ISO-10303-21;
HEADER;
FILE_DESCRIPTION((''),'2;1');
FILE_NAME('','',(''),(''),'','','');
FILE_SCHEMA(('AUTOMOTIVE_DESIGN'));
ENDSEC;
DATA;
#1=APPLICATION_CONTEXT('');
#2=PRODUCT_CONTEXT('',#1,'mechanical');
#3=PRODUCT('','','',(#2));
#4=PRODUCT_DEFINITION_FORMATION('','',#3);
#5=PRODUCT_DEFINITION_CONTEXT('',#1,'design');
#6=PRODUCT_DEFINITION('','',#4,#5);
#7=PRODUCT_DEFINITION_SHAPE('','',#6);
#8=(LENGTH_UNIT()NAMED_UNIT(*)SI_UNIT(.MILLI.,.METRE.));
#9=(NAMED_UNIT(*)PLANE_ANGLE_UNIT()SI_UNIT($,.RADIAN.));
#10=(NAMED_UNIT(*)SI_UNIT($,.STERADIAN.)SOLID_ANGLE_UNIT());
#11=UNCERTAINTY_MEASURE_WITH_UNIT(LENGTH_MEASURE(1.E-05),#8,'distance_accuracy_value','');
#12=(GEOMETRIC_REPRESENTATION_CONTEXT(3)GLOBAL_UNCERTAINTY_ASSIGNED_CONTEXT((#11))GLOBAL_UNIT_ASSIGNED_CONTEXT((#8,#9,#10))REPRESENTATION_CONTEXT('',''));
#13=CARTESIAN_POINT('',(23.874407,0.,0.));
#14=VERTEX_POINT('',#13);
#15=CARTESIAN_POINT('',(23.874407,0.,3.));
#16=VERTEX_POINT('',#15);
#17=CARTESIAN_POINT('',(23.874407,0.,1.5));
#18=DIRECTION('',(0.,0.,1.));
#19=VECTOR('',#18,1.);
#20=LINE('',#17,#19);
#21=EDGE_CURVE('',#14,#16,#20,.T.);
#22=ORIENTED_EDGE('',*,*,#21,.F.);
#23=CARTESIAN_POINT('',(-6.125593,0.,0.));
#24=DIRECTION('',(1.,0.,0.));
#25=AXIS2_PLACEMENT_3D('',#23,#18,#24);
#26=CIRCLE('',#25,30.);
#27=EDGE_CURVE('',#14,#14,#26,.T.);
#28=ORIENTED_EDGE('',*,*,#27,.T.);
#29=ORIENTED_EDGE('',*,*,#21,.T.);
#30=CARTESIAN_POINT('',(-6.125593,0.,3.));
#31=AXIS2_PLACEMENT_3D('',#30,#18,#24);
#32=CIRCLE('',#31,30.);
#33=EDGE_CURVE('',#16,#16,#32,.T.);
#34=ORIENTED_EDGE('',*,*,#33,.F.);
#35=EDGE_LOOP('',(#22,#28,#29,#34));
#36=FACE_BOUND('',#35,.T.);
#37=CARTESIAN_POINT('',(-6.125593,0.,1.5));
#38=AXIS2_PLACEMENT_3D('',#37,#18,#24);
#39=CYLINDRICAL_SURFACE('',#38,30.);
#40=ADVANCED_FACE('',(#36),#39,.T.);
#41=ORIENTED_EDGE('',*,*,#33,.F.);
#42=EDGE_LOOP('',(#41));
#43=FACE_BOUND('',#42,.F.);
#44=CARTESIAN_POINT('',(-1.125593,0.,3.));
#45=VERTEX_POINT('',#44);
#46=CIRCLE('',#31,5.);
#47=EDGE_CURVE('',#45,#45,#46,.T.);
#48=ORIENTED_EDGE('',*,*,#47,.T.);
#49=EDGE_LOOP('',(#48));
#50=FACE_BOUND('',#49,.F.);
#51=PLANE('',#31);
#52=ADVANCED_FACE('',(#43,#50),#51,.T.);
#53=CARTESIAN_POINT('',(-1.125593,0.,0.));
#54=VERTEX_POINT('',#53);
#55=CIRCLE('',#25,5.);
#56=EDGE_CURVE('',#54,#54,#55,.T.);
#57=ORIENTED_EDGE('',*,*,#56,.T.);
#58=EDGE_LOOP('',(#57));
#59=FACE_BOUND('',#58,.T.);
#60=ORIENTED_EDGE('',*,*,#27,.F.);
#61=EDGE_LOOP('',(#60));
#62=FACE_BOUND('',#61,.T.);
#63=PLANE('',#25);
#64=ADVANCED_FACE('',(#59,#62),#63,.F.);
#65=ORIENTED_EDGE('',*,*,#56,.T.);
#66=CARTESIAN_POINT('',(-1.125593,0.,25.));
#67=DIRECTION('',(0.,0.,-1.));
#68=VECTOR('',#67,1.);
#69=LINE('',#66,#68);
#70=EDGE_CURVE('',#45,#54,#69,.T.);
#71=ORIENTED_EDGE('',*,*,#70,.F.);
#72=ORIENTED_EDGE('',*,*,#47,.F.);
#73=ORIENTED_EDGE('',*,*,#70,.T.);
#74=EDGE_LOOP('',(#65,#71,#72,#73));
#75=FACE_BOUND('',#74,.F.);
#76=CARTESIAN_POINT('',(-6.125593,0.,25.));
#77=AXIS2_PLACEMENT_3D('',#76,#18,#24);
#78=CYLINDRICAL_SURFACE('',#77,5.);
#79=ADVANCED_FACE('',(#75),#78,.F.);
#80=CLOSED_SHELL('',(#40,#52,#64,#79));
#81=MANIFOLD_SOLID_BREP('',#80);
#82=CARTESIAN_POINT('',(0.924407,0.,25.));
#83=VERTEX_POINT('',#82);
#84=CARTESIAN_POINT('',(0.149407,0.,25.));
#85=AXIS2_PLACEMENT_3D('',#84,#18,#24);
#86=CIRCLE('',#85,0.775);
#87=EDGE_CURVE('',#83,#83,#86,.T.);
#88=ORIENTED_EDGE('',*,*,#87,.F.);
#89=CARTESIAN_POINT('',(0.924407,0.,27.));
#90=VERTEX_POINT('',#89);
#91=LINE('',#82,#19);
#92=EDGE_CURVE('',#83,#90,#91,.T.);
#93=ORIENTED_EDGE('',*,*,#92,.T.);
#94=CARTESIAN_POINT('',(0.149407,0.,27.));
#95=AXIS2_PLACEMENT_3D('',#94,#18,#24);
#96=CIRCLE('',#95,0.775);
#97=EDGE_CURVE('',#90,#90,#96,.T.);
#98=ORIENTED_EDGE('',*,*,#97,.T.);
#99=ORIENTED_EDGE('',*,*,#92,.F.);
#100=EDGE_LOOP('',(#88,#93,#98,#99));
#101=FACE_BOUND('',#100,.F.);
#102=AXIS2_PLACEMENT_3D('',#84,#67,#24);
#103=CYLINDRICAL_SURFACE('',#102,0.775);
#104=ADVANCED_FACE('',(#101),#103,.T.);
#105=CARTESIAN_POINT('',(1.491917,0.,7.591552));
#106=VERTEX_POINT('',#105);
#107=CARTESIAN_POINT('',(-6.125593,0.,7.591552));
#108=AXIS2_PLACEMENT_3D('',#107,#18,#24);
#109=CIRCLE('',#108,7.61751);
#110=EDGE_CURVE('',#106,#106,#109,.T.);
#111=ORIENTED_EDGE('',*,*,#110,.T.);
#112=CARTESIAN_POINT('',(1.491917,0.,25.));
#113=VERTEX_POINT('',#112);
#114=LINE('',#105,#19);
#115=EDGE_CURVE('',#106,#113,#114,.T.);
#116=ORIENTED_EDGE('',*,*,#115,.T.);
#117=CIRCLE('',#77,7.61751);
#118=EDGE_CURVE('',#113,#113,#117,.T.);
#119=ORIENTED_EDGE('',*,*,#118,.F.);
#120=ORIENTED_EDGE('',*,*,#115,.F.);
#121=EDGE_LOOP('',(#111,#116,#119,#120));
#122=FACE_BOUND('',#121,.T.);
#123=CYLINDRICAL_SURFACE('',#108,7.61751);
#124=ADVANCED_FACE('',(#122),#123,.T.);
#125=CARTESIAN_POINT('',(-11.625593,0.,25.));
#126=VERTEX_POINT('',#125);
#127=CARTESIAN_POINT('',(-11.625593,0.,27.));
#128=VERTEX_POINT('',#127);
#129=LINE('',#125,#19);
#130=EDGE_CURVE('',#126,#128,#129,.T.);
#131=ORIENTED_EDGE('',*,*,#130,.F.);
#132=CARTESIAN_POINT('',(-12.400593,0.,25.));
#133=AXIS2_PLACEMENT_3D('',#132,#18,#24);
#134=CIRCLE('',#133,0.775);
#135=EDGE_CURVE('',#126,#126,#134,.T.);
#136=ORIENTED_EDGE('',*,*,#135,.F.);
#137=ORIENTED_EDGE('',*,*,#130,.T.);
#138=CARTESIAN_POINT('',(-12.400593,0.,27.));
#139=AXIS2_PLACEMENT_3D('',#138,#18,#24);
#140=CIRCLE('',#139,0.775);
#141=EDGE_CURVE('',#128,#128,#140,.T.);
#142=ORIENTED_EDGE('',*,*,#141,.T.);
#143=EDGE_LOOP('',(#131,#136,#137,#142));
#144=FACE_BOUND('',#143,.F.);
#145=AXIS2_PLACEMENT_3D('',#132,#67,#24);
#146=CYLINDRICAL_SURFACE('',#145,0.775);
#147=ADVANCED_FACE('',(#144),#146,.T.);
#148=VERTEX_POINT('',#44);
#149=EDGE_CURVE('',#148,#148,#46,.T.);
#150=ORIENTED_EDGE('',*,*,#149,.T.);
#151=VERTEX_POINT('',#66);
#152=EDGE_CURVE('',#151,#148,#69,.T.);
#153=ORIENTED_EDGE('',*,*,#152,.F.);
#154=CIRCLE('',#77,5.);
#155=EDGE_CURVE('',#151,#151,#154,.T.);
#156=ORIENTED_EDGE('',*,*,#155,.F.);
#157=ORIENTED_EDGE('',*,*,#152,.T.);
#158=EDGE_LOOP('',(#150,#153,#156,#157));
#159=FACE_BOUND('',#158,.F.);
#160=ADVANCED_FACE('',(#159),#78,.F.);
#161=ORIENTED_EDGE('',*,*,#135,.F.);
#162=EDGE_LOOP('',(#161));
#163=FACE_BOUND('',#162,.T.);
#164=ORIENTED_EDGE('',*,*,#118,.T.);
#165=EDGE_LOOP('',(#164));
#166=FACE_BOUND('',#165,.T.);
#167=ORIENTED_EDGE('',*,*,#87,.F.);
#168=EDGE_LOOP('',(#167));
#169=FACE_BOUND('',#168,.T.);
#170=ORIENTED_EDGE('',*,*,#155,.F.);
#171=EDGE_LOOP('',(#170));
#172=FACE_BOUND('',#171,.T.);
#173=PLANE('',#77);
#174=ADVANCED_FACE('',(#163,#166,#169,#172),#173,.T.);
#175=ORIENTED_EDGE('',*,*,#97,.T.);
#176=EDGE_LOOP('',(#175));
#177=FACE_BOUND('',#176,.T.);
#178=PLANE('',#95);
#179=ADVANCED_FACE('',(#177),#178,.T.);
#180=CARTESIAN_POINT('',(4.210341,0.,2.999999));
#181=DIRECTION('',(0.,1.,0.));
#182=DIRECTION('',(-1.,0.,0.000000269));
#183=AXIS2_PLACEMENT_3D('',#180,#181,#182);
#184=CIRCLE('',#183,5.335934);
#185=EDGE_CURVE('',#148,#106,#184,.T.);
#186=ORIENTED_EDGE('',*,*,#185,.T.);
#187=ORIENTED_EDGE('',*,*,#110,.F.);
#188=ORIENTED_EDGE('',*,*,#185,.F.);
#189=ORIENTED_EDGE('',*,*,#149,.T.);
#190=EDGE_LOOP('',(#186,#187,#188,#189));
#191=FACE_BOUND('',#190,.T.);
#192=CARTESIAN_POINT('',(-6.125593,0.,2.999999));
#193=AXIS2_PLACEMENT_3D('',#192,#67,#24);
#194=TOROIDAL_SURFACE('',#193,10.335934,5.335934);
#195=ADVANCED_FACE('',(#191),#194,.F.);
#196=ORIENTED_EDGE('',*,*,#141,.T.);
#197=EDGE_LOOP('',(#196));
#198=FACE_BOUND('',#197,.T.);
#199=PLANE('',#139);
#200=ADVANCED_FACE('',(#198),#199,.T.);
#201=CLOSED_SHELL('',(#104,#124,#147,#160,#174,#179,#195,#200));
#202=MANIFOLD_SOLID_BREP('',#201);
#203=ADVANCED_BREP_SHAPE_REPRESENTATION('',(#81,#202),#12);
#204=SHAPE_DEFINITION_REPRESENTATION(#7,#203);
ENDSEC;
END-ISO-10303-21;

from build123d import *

# Parameters (mm, degrees)
F0_W     = 25
F0_H     = 3
F2_R     = 5
F3_DEPTH = 34.4
F4_R     = 0.775
F5_DEPTH = 2


with BuildPart() as f1:
    # F0 (on Front) → F1 (revolve)
    with BuildSketch(Plane.XZ):
        with Locations((11.374407, 1.5)):
            Rectangle(F0_W, F0_H)
        with BuildLine():
            Line((-1.125593, 25), (-1.125593, 3))
            ThreePointArc((-1.125593, 3), (-0.425256, 5.642617), (1.491917, 7.591552))
            Line((1.491917, 7.591552), (1.491917, 25))
            Line((1.491917, 25), (-1.125593, 25))
        make_face()
        Polygon((-6.125593, 0), (-1.125593, 0), (-1.125593, 3), (-1.125593, 25), (-6.125593, 25), align=None)
    revolve(axis=Axis((-6.125593, 0, 12.5), (0, 0, 1)))

    # F2 (on face) → F3 (cut)
    with BuildSketch(Plane.XY.offset(25)):
        with Locations((-6.125593, 0)):
            Circle(F2_R)
    extrude(amount=-F3_DEPTH, mode=Mode.SUBTRACT)

    # F4 (on face) → F5 (join)
    with BuildSketch(Plane.XY.offset(25)):
        with Locations((-12.400593, 0)):
            Circle(F4_R)
        with Locations((0.149407, 0)):
            Circle(F4_R)
    extrude(amount=F5_DEPTH)


solid = f1.part
